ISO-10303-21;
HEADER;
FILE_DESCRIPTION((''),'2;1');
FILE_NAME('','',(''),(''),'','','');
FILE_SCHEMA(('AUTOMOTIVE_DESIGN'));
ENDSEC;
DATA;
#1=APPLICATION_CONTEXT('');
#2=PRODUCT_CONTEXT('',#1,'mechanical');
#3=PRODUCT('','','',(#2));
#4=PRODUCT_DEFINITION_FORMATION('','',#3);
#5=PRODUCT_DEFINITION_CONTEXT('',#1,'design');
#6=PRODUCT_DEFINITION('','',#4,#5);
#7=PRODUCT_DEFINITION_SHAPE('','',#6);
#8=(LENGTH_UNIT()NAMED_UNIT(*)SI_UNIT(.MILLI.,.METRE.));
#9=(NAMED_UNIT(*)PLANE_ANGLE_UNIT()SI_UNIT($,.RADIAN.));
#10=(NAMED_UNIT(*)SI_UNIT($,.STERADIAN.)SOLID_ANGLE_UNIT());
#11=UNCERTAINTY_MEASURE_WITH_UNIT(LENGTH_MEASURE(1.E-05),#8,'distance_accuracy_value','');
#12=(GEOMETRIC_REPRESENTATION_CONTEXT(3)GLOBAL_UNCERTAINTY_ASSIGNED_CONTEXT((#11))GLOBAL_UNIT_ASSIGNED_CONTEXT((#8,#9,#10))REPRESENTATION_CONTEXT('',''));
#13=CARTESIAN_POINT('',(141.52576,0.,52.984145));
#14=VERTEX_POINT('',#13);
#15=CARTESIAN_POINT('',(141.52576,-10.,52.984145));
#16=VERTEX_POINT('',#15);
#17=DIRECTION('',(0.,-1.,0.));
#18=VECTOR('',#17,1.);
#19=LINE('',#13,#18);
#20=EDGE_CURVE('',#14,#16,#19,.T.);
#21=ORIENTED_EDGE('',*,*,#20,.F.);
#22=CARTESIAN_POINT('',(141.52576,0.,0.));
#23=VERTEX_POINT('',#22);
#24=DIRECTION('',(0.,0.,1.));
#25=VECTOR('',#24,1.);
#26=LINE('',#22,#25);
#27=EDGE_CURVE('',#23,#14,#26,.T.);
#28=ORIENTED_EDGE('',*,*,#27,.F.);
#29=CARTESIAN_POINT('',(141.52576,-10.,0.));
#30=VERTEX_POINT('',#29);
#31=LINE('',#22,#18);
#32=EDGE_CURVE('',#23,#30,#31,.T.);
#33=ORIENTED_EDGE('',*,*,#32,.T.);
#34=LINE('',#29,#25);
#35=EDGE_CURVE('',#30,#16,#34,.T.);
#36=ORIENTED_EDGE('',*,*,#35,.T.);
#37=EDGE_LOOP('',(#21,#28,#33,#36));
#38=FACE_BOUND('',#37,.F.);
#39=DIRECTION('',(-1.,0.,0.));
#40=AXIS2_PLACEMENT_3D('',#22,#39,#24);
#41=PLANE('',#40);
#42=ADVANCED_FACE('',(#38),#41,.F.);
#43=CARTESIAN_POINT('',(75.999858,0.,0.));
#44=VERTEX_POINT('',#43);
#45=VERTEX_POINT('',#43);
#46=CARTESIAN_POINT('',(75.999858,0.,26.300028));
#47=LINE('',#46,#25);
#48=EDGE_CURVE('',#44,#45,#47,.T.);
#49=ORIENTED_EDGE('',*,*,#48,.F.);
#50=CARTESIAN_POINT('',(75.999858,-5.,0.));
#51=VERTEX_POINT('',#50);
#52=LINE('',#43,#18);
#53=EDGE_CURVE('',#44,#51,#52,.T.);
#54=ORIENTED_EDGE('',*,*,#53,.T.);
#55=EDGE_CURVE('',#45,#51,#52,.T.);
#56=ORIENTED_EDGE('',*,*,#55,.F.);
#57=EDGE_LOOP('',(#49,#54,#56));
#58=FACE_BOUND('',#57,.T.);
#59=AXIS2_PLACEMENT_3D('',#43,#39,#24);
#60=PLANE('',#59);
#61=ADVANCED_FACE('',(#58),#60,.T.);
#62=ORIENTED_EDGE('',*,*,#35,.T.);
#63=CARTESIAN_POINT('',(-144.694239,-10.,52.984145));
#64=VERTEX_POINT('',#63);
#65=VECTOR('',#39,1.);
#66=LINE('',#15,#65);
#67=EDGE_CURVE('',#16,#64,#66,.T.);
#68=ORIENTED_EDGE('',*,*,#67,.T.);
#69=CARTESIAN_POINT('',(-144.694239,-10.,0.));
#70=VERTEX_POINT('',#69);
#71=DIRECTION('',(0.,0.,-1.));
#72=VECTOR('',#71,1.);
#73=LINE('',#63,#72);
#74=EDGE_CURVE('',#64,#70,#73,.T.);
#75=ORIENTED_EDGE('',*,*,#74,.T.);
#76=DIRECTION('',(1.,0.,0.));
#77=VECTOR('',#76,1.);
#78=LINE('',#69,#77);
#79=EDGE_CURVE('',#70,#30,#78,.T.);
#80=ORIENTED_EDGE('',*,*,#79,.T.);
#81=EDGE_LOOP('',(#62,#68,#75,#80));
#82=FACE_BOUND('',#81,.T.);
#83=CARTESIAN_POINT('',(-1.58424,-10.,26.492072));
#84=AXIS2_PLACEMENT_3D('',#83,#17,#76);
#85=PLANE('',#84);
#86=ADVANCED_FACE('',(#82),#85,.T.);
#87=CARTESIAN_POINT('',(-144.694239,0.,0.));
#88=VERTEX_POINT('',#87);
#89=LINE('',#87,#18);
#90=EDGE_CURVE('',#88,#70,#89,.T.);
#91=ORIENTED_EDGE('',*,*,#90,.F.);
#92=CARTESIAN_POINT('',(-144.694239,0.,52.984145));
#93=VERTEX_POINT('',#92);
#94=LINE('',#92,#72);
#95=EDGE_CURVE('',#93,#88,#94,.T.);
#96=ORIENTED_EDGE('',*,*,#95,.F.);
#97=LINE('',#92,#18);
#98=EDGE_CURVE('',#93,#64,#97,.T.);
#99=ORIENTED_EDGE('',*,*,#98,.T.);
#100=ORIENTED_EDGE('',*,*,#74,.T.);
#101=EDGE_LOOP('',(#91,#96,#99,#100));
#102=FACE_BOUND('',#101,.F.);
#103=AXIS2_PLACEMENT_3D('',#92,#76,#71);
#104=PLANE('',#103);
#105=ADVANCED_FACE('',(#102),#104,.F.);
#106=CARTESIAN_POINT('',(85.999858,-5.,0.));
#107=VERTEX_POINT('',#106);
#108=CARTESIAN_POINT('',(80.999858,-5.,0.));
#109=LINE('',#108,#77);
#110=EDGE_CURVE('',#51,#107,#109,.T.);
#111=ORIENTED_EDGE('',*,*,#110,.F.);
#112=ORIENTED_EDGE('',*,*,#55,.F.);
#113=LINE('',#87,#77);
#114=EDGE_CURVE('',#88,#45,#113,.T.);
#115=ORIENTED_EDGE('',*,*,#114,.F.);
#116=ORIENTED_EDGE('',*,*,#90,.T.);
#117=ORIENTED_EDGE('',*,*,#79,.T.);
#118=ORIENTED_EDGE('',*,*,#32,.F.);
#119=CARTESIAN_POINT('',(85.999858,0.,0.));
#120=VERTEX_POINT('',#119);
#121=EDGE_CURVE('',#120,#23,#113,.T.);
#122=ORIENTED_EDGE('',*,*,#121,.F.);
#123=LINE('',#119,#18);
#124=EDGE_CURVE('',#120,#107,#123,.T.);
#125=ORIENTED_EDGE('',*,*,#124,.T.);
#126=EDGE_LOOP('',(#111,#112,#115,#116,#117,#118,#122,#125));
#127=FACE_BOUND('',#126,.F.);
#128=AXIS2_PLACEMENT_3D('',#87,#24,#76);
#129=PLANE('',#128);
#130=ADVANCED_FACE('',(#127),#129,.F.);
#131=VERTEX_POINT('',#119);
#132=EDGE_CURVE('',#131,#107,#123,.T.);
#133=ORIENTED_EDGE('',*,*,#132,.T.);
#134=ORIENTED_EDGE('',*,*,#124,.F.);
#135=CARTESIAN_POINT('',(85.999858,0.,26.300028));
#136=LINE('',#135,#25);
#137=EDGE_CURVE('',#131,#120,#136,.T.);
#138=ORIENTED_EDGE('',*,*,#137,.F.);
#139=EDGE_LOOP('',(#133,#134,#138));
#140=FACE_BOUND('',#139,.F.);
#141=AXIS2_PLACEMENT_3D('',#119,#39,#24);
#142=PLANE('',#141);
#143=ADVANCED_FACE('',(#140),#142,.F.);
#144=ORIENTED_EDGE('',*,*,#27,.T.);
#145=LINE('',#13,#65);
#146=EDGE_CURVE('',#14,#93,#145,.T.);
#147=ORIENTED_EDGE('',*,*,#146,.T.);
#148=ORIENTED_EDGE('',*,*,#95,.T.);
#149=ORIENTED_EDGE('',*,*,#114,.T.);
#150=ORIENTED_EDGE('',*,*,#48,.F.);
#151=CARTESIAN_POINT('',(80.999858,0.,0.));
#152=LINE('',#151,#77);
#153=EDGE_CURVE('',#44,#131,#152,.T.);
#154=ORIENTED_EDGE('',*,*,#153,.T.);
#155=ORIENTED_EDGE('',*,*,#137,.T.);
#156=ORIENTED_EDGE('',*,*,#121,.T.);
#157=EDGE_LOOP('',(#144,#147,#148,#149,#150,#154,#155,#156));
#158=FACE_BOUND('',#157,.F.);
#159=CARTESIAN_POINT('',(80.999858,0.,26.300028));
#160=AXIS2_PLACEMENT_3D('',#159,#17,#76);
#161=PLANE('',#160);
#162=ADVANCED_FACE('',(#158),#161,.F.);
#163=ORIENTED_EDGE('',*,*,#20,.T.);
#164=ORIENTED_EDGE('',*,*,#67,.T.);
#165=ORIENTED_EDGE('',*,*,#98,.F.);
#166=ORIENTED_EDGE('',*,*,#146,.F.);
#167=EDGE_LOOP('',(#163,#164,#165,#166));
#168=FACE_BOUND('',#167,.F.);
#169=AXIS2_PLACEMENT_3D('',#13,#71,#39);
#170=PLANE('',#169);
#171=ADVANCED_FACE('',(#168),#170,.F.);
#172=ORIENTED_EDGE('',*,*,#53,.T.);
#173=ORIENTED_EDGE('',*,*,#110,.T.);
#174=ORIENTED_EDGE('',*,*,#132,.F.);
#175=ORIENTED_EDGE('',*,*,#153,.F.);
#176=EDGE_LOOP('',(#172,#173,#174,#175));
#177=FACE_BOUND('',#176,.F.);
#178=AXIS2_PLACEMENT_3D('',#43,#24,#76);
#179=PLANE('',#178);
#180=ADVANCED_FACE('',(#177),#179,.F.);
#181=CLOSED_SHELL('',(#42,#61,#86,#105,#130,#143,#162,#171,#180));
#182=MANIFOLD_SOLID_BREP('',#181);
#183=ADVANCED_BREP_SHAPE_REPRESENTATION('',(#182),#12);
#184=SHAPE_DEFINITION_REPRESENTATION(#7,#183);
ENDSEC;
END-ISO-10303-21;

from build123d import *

# Parameters (mm, degrees)
F2_DEPTH = 10
F1_W     = 10
F1_H     = 52.600057
F3_DEPTH = 5


with BuildPart() as f2:
    # F0 (on Front) → F2 (new body)
    with BuildSketch(Plane.XZ):
        Polygon((-144.694239, 52.984145), (-144.694239, 50.167713), (-144.694239, 0), (141.52576, 0), (141.52576, 52.984145), align=None)
    extrude(amount=F2_DEPTH)

    # F1 (on face) → F3 (join)
    with BuildSketch(Plane.XZ):
        with Locations((80.999858, 26.300028)):
            Rectangle(F1_W, F1_H)
    extrude(amount=F3_DEPTH)


solid = f2.part
